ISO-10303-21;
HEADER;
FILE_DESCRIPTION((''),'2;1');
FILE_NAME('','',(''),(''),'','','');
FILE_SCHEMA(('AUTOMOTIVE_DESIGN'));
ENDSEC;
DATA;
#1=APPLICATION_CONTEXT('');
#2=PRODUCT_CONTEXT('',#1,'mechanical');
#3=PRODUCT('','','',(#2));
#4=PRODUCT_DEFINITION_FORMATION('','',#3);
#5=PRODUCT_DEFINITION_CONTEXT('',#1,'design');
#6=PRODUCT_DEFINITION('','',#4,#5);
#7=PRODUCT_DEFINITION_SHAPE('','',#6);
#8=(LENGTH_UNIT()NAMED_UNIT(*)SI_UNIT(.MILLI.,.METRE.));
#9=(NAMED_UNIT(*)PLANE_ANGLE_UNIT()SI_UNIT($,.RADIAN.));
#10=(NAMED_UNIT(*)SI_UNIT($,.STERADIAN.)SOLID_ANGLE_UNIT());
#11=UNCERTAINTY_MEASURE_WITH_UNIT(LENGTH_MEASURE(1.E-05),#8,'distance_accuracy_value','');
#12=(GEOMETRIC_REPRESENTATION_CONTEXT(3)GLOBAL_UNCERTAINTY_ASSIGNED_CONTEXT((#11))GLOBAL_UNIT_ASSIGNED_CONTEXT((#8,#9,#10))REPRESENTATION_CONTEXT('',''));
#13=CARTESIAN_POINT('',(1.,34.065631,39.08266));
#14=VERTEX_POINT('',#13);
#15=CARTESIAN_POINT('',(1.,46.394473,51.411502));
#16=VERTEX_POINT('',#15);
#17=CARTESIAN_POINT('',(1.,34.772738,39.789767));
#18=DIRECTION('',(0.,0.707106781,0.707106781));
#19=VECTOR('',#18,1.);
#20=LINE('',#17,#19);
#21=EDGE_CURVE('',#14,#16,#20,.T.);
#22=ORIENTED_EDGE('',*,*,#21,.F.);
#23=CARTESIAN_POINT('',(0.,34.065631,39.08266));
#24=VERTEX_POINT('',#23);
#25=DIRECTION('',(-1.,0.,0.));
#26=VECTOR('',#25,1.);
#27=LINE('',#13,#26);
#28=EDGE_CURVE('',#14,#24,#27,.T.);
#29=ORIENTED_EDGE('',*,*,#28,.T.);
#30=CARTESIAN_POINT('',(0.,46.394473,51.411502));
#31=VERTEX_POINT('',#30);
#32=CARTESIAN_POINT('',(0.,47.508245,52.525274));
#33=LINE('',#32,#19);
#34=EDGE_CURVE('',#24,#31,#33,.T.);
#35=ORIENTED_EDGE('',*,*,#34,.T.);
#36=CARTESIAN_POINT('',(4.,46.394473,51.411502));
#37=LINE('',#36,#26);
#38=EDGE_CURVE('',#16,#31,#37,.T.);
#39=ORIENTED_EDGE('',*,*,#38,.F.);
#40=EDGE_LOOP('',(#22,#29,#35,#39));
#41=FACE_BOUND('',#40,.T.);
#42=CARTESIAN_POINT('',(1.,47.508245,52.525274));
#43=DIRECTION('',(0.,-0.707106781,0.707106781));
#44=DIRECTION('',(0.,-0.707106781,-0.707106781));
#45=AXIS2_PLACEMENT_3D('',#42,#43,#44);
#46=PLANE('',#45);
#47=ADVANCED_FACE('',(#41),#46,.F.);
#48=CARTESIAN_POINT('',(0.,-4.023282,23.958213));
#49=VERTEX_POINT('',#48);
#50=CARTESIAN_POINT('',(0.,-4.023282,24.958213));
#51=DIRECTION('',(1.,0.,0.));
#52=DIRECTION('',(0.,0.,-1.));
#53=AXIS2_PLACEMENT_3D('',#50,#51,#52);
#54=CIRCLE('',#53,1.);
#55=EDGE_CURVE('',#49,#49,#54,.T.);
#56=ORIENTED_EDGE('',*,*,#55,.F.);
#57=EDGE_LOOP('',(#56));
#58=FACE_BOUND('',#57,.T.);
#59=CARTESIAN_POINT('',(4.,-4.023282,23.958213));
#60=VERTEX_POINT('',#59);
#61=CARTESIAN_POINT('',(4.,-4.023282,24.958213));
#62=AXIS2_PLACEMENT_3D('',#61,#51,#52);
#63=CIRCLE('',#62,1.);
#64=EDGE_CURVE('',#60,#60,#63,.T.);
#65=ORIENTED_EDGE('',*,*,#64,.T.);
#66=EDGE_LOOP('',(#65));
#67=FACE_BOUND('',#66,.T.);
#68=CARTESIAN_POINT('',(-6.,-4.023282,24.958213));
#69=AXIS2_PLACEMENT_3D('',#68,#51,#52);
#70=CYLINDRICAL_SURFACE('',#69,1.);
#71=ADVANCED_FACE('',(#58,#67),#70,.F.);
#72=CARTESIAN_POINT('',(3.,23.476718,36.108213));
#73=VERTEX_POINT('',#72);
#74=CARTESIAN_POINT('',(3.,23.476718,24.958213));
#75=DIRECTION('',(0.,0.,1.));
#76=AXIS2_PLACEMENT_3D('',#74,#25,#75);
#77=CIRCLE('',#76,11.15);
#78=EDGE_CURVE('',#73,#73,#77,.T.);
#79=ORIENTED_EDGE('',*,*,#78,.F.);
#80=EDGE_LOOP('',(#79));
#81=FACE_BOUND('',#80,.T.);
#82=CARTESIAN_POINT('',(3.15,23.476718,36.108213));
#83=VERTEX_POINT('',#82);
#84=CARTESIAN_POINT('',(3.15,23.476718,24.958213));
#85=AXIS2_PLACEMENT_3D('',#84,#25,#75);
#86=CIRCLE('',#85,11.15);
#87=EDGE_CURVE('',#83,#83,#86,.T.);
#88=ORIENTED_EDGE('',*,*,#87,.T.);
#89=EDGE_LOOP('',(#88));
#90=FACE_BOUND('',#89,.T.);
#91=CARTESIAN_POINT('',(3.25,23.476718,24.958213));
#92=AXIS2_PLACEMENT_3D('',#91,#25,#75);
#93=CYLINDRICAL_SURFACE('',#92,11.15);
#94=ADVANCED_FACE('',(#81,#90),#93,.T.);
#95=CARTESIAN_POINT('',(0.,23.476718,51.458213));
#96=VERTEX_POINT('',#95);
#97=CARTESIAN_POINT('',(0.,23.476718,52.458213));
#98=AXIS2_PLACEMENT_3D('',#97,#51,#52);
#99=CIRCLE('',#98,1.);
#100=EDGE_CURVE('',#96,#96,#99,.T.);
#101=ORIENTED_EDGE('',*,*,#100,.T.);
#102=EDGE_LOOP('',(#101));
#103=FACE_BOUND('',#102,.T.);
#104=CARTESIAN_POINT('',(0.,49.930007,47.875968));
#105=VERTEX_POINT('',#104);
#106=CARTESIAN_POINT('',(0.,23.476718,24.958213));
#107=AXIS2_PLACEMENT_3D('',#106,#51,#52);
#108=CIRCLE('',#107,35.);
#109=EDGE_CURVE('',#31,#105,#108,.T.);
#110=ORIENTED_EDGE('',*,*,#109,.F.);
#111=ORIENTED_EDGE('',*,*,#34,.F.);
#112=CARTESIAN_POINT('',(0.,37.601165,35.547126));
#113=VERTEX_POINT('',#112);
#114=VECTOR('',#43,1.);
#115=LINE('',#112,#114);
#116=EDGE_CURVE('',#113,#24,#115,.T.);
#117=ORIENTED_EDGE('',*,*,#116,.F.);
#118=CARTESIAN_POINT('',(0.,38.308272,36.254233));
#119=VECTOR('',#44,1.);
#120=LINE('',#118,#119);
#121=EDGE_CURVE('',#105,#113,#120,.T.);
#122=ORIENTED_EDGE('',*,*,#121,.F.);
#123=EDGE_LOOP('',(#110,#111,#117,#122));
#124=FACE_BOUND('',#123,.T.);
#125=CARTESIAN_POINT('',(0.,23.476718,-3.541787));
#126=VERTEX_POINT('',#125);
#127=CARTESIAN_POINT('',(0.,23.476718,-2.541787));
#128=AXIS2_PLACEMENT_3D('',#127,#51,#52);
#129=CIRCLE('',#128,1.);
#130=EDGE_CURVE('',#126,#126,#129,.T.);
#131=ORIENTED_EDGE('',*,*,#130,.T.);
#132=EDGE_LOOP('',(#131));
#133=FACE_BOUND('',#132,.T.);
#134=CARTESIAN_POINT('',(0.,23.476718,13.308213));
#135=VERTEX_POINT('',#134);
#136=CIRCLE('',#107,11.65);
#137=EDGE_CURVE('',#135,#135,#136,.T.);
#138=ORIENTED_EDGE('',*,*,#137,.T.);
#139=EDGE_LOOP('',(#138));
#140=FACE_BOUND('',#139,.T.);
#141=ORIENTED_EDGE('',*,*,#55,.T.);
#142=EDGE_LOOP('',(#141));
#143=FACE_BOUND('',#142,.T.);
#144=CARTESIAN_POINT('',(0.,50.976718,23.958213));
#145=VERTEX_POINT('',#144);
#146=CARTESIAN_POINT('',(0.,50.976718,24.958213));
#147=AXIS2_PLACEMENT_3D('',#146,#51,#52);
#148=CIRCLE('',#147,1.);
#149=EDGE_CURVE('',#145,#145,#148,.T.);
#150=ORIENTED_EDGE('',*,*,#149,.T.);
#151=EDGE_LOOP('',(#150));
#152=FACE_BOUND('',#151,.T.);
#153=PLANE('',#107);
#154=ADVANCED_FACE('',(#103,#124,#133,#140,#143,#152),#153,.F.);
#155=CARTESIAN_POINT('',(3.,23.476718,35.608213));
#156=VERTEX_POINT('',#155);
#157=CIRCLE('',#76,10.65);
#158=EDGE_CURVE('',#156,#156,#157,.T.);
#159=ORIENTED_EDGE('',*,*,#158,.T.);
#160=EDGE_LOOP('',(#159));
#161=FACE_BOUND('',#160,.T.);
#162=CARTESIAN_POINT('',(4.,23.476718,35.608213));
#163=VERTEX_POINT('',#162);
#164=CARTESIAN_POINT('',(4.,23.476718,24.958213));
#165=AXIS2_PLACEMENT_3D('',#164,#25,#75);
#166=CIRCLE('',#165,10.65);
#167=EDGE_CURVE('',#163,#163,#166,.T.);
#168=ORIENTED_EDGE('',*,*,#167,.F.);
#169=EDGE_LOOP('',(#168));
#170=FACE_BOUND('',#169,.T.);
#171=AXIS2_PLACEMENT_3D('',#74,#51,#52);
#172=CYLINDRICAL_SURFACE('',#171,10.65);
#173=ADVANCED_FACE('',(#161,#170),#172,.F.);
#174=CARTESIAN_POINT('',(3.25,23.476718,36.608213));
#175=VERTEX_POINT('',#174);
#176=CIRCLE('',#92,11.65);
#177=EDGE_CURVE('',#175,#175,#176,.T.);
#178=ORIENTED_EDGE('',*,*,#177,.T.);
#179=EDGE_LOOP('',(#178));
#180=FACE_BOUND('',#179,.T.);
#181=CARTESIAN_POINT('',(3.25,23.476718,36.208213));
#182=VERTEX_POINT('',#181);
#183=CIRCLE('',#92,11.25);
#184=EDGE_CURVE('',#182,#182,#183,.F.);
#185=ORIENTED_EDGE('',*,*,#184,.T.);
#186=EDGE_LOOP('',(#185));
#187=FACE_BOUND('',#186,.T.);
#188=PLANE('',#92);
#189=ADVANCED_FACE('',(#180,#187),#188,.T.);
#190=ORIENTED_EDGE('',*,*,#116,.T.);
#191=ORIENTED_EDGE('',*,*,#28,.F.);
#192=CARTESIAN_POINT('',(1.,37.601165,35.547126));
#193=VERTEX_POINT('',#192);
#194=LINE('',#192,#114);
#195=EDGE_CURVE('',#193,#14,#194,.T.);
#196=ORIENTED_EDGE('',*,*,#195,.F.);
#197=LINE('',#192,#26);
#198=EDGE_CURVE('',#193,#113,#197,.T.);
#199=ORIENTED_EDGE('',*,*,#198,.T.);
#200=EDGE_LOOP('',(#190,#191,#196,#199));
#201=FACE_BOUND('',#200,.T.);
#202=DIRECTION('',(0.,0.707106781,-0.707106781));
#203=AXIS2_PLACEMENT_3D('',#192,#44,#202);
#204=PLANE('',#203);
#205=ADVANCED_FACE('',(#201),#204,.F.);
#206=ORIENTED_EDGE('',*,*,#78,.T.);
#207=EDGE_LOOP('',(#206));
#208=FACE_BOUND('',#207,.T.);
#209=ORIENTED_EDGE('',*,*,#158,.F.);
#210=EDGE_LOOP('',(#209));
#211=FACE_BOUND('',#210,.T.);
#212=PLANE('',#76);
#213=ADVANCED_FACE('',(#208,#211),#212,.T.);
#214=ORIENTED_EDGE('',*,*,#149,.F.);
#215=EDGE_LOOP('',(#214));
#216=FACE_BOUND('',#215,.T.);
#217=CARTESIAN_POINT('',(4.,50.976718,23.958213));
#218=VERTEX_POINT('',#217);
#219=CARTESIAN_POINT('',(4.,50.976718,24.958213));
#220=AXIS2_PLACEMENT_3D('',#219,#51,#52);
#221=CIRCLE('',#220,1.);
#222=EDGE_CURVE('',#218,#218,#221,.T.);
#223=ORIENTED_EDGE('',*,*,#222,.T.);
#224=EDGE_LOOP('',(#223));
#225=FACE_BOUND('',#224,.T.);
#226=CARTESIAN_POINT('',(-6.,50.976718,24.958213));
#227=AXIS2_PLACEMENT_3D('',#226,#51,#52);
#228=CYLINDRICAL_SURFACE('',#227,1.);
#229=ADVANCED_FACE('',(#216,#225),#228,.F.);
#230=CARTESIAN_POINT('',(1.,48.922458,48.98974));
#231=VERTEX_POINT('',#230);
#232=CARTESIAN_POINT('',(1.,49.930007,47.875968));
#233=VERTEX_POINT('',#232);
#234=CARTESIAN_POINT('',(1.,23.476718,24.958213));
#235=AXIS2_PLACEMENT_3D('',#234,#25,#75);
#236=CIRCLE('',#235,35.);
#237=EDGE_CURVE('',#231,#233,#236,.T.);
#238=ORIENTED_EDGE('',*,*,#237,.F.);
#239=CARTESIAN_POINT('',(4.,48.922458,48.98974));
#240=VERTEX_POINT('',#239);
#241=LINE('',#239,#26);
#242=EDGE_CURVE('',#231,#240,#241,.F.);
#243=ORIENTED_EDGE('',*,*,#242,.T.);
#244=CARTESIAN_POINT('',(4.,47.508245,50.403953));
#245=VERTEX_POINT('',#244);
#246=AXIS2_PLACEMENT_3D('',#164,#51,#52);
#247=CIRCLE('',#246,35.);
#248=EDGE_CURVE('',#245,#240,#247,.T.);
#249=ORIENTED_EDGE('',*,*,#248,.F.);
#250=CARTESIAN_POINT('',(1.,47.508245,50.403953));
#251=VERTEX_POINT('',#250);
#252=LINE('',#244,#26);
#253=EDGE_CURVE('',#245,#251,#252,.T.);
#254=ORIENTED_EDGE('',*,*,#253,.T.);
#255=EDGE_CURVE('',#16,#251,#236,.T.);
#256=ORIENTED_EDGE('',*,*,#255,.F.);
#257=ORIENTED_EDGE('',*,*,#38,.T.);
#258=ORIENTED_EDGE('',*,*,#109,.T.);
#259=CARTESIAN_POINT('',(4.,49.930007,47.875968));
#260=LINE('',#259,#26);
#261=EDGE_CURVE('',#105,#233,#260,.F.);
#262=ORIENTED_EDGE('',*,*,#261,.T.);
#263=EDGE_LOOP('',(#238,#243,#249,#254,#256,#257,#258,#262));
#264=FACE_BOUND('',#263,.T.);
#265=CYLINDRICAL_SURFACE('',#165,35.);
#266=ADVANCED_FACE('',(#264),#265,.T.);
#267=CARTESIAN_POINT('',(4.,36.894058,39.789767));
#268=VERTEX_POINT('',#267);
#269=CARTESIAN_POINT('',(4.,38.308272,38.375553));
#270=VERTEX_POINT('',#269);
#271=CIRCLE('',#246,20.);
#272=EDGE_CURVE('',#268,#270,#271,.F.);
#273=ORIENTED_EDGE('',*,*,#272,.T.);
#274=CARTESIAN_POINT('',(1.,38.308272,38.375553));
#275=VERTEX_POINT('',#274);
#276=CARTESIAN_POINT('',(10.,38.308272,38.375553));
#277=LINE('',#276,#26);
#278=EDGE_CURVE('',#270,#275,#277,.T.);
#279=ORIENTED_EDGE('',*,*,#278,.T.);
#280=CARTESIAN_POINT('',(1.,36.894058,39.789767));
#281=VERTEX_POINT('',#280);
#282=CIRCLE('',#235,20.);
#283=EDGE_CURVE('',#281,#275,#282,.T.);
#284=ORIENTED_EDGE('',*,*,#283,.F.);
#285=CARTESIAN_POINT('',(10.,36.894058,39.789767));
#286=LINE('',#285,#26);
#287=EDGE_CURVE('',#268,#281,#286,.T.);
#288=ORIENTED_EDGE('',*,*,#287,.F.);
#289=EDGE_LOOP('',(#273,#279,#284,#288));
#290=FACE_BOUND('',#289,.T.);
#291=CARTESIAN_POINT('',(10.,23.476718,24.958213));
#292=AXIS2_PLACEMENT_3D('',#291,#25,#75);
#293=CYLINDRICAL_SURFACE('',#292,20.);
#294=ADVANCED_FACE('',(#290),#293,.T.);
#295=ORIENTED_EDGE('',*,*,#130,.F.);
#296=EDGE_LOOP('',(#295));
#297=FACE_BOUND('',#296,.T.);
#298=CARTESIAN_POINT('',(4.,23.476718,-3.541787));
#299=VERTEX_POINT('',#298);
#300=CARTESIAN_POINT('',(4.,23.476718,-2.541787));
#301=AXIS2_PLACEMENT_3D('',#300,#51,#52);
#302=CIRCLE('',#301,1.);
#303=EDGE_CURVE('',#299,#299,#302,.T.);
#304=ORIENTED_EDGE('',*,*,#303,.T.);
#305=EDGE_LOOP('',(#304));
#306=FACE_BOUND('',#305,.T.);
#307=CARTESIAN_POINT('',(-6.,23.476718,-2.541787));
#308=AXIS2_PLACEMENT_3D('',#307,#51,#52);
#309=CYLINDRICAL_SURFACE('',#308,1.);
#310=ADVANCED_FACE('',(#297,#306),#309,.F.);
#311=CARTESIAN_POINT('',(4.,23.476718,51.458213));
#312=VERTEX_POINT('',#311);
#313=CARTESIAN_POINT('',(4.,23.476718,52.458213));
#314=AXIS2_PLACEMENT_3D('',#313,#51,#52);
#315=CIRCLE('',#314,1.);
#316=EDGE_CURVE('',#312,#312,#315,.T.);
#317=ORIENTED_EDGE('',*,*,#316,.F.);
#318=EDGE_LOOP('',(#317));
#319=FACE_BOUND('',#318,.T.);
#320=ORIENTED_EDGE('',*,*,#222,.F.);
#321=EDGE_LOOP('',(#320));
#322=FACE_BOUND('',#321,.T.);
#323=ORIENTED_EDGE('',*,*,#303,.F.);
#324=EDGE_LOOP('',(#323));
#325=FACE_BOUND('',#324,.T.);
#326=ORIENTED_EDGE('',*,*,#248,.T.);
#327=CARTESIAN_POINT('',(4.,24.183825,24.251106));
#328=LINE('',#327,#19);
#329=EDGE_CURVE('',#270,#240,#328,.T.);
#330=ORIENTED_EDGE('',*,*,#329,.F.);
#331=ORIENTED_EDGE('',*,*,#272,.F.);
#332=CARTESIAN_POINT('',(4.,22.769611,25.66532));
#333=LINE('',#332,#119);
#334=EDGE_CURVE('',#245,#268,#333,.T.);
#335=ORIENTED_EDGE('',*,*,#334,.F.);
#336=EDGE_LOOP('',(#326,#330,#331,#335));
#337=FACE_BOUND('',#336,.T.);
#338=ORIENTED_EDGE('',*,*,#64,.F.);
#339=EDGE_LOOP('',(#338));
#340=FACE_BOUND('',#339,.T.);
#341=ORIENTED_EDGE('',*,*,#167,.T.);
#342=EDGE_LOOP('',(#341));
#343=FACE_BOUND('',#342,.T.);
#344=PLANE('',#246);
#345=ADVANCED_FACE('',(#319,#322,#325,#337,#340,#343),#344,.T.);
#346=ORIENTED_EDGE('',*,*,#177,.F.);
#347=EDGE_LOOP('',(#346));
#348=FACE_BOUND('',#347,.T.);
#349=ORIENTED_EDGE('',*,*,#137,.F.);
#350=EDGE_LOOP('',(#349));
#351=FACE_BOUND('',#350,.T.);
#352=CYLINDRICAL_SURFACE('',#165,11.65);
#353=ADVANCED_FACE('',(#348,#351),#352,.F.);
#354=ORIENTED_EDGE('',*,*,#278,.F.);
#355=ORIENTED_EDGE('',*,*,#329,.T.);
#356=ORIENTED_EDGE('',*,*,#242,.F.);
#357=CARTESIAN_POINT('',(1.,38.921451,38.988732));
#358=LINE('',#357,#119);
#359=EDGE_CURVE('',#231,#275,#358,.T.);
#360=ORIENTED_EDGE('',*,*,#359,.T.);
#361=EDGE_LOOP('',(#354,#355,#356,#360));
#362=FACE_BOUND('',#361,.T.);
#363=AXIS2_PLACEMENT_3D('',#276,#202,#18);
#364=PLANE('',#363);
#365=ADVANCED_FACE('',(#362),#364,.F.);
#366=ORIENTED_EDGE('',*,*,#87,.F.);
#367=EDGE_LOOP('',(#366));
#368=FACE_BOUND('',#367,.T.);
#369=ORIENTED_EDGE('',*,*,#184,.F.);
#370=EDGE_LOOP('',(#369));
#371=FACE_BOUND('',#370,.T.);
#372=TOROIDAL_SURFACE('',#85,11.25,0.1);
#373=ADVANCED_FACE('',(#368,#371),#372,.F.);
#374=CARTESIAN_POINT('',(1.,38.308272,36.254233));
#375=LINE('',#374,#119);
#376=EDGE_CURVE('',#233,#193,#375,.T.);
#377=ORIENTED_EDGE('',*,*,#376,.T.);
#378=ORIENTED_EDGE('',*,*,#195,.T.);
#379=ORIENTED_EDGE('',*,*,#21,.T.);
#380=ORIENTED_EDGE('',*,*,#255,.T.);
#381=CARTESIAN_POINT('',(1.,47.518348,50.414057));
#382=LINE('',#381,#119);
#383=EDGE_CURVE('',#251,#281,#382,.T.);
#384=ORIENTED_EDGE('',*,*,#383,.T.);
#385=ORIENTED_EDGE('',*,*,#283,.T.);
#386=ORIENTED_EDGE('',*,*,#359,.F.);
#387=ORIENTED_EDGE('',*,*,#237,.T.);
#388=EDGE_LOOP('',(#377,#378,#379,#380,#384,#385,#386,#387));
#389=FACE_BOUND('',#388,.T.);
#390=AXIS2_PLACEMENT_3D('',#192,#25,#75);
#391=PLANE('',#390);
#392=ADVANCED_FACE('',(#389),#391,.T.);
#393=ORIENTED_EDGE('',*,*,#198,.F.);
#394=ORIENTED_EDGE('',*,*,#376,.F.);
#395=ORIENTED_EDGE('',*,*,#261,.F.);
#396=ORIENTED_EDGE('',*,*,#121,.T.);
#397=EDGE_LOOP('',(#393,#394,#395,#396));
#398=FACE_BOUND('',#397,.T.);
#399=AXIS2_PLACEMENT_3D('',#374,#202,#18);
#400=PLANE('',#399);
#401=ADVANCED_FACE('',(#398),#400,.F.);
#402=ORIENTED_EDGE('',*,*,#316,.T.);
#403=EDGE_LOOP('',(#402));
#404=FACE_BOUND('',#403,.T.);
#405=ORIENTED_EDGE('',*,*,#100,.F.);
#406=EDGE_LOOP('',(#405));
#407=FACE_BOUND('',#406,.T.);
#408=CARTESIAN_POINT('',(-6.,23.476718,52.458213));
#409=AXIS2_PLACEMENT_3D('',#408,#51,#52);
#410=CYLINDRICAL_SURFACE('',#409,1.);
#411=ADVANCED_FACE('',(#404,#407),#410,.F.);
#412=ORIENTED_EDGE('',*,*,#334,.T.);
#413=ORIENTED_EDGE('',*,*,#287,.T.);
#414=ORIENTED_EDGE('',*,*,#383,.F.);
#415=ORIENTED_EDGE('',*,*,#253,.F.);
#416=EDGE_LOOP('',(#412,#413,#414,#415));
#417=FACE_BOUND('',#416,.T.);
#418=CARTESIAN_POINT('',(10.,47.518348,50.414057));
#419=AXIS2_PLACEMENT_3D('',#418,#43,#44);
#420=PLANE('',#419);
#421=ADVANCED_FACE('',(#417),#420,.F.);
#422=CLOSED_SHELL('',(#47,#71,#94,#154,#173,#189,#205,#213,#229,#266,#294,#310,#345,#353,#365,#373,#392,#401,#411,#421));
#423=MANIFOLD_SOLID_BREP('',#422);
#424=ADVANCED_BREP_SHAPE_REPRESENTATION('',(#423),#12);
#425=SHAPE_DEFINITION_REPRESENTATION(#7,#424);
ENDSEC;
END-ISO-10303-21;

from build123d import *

# Parameters (mm, degrees)
SKETCH1_R           = 35
SKETCH1_R_2         = 11.65
BOSS_EXTRUDE1_DEPTH = 4
CUT_EXTRUDE1_DEPTH  = 10
SKETCH6_R           = 1
CUT_EXTRUDE4_DEPTH  = 10
BOSS_EXTRUDE3_START = 1
SKETCH7_R           = 11.65
SKETCH7_R_2         = 10.65
BOSS_EXTRUDE3_DEPTH = 1
SKETCH8_R           = 11.65
SKETCH8_R_2         = 11.15
CUT_EXTRUDE5_DEPTH  = 0.25
FILLET1_R           = 0.1
CUT_EXTRUDE6_DEPTH  = 1


with BuildPart() as part:
    # Sketch1 → Boss-Extrude1 (new body)
    with BuildSketch(Plane(origin=(0, 0, 0), x_dir=(0, -0.16775650988153862, -0.9858284604292805), z_dir=(1, 0, 0))):
        with Locations(Location((-28.542888787, 18.957113921, 0), (0, 0, 9.65740334))):
            Circle(SKETCH1_R)
        with Locations(Location((-28.542888787, 18.957113921, 0), (0, 0, 9.65740334))):
            Circle(SKETCH1_R_2, mode=Mode.SUBTRACT)
    extrude(amount=BOSS_EXTRUDE1_DEPTH)

    # Sketch2 → Cut-Extrude1 (cut)
    with BuildSketch(Plane.ZY):
        with BuildLine():
            Line((38.375552951, 38.308271509), (48.999843401, 48.932561958))
            Line((48.999843401, 48.932561958), (51.312030188, 52.930544456))
            Line((51.312030188, 52.930544456), (54.007279042, 51.111570475))
            Line((54.007279042, 51.111570475), (50.414056963, 47.518348396))
            Line((50.414056963, 47.518348396), (39.789766514, 36.894057946))
            ThreePointArc((39.789766514, 36.894057946), (39.100348464, 37.618853459), (38.375552951, 38.308271509))
        make_face()
    extrude(amount=-CUT_EXTRUDE1_DEPTH, mode=Mode.SUBTRACT)

    # Sketch6 → Cut-Extrude4 (cut)
    with BuildSketch(Plane(origin=(4, 0, 0), x_dir=(0, 0, -1), z_dir=(1, 0, 0))):
        with Locations((-24.958212841, -4.023282164)):
            Circle(SKETCH6_R)
        with Locations((2.541787159, 23.476717836)):
            Circle(SKETCH6_R)
        with Locations((-52.458212841, 23.476717836)):
            Circle(SKETCH6_R)
        with Locations((-24.958212841, 50.976717836)):
            Circle(SKETCH6_R)
    extrude(amount=-CUT_EXTRUDE4_DEPTH, mode=Mode.SUBTRACT)

    # Sketch7 → Boss-Extrude3 (add)
    with BuildSketch(Plane.ZY.offset(-4).offset(BOSS_EXTRUDE3_START)):
        with Locations((24.958212841, 23.476717836)):
            Circle(SKETCH7_R)
        with Locations((24.958212841, 23.476717836)):
            Circle(SKETCH7_R_2, mode=Mode.SUBTRACT)
    extrude(amount=-BOSS_EXTRUDE3_DEPTH)

    # Sketch8 → Cut-Extrude5 (cut)
    with BuildSketch(Plane.ZY.offset(-3)):
        with Locations((24.958212841, 23.476717836)):
            Circle(SKETCH8_R)
        with Locations((24.958212841, 23.476717836)):
            Circle(SKETCH8_R_2, mode=Mode.SUBTRACT)
    extrude(amount=-CUT_EXTRUDE5_DEPTH, mode=Mode.SUBTRACT)

    # Fillet1
    fillet1_edges = [part.edges().sort_by_distance(p)[0] for p in [
        (3.25, 23.476717836, 13.808212841),
    ]]
    fillet(fillet1_edges, radius=FILLET1_R)

    # Sketch9 → Cut-Extrude6 (cut)
    with BuildSketch(Plane.ZY):
        Polygon((36.254232608, 38.308271509), (48.989739813, 51.043778714), (52.525273719, 47.508244808), (39.789766514, 34.772737603), (39.082659732, 34.065630822), (35.547125827, 37.601164728), align=None)
        Polygon((48.989739813, 48.922458371), (50.403953376, 47.508244808), (40.402946038, 37.507237471), (38.988732476, 38.921451033), align=None, mode=Mode.SUBTRACT)
    extrude(amount=-CUT_EXTRUDE6_DEPTH, mode=Mode.SUBTRACT)


solid = part.part
